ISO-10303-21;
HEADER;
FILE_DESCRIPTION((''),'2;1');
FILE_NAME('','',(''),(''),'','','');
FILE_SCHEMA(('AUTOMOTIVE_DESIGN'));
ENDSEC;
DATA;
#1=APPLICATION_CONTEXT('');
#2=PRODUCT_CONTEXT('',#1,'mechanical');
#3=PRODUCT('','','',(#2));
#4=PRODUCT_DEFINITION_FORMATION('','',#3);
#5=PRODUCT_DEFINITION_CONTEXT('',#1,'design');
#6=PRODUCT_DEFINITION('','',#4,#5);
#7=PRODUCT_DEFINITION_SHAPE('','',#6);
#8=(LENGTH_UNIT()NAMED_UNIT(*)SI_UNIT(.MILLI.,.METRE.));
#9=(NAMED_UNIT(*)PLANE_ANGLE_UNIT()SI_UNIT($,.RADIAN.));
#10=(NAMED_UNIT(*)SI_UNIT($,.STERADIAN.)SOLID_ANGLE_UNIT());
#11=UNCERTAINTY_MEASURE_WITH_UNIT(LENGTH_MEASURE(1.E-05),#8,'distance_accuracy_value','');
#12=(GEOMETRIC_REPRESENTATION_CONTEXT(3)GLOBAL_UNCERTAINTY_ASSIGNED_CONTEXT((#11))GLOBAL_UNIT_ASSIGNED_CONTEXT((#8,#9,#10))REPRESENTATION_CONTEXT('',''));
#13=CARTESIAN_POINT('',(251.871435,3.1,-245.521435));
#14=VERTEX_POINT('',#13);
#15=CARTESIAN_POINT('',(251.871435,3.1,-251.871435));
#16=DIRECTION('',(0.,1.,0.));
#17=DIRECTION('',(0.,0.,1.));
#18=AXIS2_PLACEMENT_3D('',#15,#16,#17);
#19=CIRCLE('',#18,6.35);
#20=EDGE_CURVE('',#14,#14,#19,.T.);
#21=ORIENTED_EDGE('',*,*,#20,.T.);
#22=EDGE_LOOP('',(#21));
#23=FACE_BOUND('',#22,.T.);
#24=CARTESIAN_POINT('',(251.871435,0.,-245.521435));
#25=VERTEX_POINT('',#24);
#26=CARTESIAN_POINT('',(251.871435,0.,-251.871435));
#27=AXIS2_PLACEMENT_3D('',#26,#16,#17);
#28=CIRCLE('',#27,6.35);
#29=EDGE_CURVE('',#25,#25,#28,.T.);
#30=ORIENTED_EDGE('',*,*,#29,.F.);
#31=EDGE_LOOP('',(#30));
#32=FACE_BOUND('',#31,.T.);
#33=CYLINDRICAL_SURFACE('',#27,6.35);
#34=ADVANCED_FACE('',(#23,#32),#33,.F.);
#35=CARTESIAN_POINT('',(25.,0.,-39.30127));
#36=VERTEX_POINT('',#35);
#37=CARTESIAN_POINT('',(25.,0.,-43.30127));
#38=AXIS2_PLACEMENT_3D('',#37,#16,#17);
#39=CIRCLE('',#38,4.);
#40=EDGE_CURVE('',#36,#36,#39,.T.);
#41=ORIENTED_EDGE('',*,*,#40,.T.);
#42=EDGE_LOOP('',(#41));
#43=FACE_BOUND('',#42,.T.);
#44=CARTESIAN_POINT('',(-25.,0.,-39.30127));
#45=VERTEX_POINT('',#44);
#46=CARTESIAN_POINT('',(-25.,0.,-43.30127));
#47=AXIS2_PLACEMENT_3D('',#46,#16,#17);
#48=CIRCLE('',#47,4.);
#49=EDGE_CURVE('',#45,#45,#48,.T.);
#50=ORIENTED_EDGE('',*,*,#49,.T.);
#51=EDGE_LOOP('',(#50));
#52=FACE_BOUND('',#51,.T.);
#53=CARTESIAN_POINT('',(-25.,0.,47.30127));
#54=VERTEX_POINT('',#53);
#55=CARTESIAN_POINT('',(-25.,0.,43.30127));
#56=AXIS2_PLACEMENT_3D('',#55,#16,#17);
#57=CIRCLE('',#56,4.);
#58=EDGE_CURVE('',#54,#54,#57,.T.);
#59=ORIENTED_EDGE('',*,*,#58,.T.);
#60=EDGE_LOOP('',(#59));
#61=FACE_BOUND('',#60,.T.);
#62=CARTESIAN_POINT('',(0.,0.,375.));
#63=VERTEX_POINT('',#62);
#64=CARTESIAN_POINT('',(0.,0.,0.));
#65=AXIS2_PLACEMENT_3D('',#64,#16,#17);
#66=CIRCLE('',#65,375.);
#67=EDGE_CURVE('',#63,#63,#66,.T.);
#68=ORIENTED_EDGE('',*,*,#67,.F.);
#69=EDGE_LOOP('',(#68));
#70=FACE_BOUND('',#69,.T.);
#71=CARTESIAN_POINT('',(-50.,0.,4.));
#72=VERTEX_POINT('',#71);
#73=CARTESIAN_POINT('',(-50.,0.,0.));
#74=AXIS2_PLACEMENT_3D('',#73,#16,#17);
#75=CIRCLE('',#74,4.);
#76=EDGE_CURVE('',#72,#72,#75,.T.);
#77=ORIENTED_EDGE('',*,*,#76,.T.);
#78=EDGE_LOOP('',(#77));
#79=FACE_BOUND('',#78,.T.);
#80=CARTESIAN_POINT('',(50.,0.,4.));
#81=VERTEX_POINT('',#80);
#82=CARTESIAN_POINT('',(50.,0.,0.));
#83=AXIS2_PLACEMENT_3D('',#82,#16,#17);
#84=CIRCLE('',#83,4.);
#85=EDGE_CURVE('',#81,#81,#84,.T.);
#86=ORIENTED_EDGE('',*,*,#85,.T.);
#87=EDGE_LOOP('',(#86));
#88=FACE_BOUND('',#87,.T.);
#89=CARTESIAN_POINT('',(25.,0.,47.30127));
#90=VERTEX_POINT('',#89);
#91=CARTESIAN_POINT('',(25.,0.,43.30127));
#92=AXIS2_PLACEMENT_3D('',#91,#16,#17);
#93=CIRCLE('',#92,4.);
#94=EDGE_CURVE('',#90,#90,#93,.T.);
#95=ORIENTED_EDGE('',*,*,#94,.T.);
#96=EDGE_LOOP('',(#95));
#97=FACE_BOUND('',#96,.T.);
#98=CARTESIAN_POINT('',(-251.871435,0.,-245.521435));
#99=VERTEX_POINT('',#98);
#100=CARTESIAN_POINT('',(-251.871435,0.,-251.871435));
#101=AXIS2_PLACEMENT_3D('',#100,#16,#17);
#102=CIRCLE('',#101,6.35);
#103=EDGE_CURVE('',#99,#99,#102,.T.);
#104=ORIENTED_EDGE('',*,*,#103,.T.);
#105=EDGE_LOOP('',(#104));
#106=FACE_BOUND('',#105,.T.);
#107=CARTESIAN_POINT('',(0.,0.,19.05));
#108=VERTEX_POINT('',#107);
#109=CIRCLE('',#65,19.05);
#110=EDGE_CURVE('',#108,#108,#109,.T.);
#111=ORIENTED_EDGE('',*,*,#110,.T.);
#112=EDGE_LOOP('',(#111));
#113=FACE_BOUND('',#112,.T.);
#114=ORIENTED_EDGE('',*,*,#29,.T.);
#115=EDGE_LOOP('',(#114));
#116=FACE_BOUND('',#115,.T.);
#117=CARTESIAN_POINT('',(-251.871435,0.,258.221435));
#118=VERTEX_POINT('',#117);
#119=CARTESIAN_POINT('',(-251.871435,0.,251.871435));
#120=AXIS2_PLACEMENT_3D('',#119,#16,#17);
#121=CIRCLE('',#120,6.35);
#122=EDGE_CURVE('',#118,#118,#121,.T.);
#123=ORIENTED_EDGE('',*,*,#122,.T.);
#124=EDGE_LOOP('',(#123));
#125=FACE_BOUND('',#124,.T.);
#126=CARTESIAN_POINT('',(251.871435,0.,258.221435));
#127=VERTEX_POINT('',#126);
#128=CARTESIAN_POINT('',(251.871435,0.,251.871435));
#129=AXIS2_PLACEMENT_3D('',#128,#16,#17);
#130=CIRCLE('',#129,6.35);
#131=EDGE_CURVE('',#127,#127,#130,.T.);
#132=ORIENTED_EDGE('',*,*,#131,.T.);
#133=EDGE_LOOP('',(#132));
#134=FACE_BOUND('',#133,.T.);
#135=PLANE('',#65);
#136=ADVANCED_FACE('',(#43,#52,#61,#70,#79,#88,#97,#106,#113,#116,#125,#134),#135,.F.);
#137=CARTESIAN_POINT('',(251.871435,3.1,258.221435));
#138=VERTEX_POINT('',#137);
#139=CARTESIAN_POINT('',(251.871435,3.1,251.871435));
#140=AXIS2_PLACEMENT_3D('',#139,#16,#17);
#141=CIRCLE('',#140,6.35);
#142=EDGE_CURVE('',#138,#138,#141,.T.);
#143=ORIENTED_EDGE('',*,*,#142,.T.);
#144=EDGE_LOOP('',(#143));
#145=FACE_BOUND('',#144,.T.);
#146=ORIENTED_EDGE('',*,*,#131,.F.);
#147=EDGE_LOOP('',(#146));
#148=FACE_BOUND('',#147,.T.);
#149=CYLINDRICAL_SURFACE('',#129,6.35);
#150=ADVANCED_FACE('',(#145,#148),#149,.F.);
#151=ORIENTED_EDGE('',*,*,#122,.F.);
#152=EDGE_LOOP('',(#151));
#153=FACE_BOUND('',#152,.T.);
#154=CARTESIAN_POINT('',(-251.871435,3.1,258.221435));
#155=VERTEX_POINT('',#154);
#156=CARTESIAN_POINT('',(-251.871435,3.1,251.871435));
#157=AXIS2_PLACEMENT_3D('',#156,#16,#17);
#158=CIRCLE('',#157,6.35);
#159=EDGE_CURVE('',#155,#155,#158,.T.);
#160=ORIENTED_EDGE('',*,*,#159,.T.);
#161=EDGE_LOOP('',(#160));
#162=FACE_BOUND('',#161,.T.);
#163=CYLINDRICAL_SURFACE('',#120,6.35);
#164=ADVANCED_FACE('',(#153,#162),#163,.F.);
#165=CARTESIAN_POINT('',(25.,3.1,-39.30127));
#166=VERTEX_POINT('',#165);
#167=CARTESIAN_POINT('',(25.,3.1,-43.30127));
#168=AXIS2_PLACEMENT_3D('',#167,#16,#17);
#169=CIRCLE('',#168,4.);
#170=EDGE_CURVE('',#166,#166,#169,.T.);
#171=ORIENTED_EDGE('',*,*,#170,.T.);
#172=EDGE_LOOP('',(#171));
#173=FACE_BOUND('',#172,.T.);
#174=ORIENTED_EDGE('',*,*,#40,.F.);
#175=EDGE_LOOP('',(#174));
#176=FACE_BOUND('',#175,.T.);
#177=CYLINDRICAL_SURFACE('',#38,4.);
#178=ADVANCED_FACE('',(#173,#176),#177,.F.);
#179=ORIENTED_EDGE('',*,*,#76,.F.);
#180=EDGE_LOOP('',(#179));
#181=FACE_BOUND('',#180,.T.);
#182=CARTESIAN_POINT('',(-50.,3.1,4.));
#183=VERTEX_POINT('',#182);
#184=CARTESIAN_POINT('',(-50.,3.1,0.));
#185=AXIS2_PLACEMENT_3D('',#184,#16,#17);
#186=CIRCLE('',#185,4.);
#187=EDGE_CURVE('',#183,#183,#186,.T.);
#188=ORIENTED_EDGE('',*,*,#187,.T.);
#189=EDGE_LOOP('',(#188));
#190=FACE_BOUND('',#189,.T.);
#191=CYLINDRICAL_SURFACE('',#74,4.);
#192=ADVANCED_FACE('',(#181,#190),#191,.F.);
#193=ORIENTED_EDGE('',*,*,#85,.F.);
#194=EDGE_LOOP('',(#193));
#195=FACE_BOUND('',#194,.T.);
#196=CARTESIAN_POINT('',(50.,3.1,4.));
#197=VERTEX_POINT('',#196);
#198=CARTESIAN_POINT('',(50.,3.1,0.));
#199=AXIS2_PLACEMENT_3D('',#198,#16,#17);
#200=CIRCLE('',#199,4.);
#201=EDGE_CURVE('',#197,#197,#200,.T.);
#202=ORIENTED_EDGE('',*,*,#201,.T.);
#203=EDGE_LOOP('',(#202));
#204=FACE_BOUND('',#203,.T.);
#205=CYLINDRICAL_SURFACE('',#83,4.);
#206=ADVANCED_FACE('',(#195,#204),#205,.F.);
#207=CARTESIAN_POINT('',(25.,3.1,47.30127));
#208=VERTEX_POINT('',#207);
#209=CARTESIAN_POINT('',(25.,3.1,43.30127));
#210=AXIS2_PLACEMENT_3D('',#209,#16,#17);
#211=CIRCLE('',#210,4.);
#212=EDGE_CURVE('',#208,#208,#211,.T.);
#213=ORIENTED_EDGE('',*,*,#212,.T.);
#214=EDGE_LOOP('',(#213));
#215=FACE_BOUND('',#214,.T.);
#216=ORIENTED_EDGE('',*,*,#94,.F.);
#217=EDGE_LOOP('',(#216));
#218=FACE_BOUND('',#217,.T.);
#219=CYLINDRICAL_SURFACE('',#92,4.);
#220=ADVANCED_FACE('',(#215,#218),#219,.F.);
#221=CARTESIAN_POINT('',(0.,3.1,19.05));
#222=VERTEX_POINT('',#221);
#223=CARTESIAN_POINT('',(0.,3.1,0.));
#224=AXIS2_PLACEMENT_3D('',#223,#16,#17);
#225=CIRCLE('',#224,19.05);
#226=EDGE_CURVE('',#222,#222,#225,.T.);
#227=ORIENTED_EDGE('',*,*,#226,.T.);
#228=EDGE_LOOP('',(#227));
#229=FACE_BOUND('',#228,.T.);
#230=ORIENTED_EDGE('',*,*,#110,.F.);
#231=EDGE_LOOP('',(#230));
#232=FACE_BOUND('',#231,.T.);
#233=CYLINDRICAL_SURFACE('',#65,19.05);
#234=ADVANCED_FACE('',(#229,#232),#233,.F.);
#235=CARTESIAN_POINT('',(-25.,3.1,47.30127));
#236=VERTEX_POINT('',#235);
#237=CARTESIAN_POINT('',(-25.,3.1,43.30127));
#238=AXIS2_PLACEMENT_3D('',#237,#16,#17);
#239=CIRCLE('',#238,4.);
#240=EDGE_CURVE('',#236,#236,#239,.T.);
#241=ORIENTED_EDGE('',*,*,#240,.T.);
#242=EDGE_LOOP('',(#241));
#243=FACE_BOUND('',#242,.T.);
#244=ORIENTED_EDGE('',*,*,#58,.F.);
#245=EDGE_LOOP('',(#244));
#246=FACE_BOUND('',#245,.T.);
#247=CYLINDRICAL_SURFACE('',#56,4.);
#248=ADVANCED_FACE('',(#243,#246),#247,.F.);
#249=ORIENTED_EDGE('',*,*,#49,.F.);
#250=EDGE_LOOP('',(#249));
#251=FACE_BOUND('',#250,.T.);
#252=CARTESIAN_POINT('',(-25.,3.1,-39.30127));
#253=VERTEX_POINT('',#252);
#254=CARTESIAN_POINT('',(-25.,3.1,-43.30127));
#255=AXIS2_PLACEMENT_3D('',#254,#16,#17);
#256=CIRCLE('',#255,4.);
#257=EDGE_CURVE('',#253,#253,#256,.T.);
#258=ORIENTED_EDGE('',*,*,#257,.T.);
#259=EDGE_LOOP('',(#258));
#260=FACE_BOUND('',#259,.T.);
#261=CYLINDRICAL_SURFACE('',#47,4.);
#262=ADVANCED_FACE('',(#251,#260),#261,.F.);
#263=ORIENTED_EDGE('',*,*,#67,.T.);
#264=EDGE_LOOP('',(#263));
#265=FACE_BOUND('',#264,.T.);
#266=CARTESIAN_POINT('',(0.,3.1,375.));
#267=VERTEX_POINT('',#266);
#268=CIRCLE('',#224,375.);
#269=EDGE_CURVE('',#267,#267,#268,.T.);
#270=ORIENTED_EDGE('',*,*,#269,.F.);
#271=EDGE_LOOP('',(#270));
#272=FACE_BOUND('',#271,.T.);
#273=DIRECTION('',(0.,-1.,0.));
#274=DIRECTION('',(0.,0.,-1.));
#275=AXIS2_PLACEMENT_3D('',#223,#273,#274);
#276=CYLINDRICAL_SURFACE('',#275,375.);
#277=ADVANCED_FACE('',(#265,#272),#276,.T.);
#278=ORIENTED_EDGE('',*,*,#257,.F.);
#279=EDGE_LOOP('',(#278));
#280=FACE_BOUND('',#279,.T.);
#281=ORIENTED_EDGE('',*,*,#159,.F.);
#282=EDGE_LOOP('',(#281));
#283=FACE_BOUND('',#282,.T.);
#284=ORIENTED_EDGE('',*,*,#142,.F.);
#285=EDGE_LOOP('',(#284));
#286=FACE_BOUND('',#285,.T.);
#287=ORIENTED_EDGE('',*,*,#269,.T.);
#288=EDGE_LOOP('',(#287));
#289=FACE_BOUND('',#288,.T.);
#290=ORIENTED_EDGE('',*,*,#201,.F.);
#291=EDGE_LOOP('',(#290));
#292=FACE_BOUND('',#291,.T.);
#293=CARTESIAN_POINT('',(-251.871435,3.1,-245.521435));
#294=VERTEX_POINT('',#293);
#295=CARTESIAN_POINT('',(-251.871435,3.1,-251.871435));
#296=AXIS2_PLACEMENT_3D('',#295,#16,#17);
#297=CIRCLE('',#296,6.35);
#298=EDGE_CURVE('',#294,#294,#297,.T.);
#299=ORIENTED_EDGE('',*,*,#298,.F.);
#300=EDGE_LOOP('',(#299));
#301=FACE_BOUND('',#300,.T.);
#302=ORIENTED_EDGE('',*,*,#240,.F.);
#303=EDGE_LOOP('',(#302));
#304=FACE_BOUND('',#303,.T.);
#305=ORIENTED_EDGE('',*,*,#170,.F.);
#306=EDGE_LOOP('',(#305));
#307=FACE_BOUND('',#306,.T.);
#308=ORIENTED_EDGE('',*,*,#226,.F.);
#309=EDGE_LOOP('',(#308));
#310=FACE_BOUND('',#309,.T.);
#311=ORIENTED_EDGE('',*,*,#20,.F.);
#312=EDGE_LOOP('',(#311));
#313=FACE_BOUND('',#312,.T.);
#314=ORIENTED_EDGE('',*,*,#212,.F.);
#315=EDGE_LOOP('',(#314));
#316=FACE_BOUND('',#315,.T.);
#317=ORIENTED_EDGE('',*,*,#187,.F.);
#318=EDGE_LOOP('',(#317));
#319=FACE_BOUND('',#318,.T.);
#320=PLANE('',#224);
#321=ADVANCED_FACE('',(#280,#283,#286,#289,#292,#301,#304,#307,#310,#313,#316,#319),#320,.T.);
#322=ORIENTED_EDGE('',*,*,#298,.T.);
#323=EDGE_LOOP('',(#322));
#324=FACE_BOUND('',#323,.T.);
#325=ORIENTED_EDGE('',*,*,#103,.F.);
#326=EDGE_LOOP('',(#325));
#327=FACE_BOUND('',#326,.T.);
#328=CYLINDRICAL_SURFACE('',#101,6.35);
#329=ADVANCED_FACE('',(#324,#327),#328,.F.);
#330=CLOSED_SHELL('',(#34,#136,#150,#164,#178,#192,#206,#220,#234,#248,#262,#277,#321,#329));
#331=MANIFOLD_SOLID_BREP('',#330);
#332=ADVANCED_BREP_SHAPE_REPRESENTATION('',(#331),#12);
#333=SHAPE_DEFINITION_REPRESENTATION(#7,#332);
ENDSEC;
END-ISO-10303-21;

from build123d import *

# Parameters (mm, degrees)
CROQUIS1_R              = 375
SALIENTE_EXTRUIR1_DEPTH = 3.1
CROQUIS3_R              = 6.35
CROQUIS3_R_2            = 19.05
CORTAR_EXTRUIR2_DEPTH   = 4.1
CROQUIS4_R              = 4
CORTAR_EXTRUIR3_DEPTH   = 4.1


with BuildPart() as part:
    # Croquis1 → Saliente-Extruir1 (new body)
    with BuildSketch(Plane(origin=(0, 0, 0), x_dir=(1, 0, 0), z_dir=(0, 1, 0))):
        Circle(CROQUIS1_R)
    extrude(amount=SALIENTE_EXTRUIR1_DEPTH)

    # Croquis3 → Cortar-Extruir2 (cut, through all)
    with BuildSketch(Plane(origin=(0, 3.1, 0), x_dir=(1, 0, 0), z_dir=(0, 1, 0))):
        with Locations((-251.871435459, -251.871435459)):
            Circle(CROQUIS3_R)
        with Locations((-251.871435459, 251.871435459)):
            Circle(CROQUIS3_R)
        with Locations((251.871435459, 251.871435459)):
            Circle(CROQUIS3_R)
        with Locations((251.871435459, -251.871435459)):
            Circle(CROQUIS3_R)
        Circle(CROQUIS3_R_2)
    extrude(amount=-CORTAR_EXTRUIR2_DEPTH, mode=Mode.SUBTRACT)

    # Croquis4 → Cortar-Extruir3 (cut, through all)
    with BuildSketch(Plane(origin=(0, 3.1, 0), x_dir=(1, 0, 0), z_dir=(0, 1, 0))):
        with Locations((50, 0)):
            Circle(CROQUIS4_R)
        with Locations((25, -43.301270189)):
            Circle(CROQUIS4_R)
        with Locations((-25, -43.301270189)):
            Circle(CROQUIS4_R)
        with Locations((-50, 0)):
            Circle(CROQUIS4_R)
        with Locations((-25, 43.301270189)):
            Circle(CROQUIS4_R)
        with Locations((25, 43.301270189)):
            Circle(CROQUIS4_R)
    extrude(amount=-CORTAR_EXTRUIR3_DEPTH, mode=Mode.SUBTRACT)


solid = part.part
